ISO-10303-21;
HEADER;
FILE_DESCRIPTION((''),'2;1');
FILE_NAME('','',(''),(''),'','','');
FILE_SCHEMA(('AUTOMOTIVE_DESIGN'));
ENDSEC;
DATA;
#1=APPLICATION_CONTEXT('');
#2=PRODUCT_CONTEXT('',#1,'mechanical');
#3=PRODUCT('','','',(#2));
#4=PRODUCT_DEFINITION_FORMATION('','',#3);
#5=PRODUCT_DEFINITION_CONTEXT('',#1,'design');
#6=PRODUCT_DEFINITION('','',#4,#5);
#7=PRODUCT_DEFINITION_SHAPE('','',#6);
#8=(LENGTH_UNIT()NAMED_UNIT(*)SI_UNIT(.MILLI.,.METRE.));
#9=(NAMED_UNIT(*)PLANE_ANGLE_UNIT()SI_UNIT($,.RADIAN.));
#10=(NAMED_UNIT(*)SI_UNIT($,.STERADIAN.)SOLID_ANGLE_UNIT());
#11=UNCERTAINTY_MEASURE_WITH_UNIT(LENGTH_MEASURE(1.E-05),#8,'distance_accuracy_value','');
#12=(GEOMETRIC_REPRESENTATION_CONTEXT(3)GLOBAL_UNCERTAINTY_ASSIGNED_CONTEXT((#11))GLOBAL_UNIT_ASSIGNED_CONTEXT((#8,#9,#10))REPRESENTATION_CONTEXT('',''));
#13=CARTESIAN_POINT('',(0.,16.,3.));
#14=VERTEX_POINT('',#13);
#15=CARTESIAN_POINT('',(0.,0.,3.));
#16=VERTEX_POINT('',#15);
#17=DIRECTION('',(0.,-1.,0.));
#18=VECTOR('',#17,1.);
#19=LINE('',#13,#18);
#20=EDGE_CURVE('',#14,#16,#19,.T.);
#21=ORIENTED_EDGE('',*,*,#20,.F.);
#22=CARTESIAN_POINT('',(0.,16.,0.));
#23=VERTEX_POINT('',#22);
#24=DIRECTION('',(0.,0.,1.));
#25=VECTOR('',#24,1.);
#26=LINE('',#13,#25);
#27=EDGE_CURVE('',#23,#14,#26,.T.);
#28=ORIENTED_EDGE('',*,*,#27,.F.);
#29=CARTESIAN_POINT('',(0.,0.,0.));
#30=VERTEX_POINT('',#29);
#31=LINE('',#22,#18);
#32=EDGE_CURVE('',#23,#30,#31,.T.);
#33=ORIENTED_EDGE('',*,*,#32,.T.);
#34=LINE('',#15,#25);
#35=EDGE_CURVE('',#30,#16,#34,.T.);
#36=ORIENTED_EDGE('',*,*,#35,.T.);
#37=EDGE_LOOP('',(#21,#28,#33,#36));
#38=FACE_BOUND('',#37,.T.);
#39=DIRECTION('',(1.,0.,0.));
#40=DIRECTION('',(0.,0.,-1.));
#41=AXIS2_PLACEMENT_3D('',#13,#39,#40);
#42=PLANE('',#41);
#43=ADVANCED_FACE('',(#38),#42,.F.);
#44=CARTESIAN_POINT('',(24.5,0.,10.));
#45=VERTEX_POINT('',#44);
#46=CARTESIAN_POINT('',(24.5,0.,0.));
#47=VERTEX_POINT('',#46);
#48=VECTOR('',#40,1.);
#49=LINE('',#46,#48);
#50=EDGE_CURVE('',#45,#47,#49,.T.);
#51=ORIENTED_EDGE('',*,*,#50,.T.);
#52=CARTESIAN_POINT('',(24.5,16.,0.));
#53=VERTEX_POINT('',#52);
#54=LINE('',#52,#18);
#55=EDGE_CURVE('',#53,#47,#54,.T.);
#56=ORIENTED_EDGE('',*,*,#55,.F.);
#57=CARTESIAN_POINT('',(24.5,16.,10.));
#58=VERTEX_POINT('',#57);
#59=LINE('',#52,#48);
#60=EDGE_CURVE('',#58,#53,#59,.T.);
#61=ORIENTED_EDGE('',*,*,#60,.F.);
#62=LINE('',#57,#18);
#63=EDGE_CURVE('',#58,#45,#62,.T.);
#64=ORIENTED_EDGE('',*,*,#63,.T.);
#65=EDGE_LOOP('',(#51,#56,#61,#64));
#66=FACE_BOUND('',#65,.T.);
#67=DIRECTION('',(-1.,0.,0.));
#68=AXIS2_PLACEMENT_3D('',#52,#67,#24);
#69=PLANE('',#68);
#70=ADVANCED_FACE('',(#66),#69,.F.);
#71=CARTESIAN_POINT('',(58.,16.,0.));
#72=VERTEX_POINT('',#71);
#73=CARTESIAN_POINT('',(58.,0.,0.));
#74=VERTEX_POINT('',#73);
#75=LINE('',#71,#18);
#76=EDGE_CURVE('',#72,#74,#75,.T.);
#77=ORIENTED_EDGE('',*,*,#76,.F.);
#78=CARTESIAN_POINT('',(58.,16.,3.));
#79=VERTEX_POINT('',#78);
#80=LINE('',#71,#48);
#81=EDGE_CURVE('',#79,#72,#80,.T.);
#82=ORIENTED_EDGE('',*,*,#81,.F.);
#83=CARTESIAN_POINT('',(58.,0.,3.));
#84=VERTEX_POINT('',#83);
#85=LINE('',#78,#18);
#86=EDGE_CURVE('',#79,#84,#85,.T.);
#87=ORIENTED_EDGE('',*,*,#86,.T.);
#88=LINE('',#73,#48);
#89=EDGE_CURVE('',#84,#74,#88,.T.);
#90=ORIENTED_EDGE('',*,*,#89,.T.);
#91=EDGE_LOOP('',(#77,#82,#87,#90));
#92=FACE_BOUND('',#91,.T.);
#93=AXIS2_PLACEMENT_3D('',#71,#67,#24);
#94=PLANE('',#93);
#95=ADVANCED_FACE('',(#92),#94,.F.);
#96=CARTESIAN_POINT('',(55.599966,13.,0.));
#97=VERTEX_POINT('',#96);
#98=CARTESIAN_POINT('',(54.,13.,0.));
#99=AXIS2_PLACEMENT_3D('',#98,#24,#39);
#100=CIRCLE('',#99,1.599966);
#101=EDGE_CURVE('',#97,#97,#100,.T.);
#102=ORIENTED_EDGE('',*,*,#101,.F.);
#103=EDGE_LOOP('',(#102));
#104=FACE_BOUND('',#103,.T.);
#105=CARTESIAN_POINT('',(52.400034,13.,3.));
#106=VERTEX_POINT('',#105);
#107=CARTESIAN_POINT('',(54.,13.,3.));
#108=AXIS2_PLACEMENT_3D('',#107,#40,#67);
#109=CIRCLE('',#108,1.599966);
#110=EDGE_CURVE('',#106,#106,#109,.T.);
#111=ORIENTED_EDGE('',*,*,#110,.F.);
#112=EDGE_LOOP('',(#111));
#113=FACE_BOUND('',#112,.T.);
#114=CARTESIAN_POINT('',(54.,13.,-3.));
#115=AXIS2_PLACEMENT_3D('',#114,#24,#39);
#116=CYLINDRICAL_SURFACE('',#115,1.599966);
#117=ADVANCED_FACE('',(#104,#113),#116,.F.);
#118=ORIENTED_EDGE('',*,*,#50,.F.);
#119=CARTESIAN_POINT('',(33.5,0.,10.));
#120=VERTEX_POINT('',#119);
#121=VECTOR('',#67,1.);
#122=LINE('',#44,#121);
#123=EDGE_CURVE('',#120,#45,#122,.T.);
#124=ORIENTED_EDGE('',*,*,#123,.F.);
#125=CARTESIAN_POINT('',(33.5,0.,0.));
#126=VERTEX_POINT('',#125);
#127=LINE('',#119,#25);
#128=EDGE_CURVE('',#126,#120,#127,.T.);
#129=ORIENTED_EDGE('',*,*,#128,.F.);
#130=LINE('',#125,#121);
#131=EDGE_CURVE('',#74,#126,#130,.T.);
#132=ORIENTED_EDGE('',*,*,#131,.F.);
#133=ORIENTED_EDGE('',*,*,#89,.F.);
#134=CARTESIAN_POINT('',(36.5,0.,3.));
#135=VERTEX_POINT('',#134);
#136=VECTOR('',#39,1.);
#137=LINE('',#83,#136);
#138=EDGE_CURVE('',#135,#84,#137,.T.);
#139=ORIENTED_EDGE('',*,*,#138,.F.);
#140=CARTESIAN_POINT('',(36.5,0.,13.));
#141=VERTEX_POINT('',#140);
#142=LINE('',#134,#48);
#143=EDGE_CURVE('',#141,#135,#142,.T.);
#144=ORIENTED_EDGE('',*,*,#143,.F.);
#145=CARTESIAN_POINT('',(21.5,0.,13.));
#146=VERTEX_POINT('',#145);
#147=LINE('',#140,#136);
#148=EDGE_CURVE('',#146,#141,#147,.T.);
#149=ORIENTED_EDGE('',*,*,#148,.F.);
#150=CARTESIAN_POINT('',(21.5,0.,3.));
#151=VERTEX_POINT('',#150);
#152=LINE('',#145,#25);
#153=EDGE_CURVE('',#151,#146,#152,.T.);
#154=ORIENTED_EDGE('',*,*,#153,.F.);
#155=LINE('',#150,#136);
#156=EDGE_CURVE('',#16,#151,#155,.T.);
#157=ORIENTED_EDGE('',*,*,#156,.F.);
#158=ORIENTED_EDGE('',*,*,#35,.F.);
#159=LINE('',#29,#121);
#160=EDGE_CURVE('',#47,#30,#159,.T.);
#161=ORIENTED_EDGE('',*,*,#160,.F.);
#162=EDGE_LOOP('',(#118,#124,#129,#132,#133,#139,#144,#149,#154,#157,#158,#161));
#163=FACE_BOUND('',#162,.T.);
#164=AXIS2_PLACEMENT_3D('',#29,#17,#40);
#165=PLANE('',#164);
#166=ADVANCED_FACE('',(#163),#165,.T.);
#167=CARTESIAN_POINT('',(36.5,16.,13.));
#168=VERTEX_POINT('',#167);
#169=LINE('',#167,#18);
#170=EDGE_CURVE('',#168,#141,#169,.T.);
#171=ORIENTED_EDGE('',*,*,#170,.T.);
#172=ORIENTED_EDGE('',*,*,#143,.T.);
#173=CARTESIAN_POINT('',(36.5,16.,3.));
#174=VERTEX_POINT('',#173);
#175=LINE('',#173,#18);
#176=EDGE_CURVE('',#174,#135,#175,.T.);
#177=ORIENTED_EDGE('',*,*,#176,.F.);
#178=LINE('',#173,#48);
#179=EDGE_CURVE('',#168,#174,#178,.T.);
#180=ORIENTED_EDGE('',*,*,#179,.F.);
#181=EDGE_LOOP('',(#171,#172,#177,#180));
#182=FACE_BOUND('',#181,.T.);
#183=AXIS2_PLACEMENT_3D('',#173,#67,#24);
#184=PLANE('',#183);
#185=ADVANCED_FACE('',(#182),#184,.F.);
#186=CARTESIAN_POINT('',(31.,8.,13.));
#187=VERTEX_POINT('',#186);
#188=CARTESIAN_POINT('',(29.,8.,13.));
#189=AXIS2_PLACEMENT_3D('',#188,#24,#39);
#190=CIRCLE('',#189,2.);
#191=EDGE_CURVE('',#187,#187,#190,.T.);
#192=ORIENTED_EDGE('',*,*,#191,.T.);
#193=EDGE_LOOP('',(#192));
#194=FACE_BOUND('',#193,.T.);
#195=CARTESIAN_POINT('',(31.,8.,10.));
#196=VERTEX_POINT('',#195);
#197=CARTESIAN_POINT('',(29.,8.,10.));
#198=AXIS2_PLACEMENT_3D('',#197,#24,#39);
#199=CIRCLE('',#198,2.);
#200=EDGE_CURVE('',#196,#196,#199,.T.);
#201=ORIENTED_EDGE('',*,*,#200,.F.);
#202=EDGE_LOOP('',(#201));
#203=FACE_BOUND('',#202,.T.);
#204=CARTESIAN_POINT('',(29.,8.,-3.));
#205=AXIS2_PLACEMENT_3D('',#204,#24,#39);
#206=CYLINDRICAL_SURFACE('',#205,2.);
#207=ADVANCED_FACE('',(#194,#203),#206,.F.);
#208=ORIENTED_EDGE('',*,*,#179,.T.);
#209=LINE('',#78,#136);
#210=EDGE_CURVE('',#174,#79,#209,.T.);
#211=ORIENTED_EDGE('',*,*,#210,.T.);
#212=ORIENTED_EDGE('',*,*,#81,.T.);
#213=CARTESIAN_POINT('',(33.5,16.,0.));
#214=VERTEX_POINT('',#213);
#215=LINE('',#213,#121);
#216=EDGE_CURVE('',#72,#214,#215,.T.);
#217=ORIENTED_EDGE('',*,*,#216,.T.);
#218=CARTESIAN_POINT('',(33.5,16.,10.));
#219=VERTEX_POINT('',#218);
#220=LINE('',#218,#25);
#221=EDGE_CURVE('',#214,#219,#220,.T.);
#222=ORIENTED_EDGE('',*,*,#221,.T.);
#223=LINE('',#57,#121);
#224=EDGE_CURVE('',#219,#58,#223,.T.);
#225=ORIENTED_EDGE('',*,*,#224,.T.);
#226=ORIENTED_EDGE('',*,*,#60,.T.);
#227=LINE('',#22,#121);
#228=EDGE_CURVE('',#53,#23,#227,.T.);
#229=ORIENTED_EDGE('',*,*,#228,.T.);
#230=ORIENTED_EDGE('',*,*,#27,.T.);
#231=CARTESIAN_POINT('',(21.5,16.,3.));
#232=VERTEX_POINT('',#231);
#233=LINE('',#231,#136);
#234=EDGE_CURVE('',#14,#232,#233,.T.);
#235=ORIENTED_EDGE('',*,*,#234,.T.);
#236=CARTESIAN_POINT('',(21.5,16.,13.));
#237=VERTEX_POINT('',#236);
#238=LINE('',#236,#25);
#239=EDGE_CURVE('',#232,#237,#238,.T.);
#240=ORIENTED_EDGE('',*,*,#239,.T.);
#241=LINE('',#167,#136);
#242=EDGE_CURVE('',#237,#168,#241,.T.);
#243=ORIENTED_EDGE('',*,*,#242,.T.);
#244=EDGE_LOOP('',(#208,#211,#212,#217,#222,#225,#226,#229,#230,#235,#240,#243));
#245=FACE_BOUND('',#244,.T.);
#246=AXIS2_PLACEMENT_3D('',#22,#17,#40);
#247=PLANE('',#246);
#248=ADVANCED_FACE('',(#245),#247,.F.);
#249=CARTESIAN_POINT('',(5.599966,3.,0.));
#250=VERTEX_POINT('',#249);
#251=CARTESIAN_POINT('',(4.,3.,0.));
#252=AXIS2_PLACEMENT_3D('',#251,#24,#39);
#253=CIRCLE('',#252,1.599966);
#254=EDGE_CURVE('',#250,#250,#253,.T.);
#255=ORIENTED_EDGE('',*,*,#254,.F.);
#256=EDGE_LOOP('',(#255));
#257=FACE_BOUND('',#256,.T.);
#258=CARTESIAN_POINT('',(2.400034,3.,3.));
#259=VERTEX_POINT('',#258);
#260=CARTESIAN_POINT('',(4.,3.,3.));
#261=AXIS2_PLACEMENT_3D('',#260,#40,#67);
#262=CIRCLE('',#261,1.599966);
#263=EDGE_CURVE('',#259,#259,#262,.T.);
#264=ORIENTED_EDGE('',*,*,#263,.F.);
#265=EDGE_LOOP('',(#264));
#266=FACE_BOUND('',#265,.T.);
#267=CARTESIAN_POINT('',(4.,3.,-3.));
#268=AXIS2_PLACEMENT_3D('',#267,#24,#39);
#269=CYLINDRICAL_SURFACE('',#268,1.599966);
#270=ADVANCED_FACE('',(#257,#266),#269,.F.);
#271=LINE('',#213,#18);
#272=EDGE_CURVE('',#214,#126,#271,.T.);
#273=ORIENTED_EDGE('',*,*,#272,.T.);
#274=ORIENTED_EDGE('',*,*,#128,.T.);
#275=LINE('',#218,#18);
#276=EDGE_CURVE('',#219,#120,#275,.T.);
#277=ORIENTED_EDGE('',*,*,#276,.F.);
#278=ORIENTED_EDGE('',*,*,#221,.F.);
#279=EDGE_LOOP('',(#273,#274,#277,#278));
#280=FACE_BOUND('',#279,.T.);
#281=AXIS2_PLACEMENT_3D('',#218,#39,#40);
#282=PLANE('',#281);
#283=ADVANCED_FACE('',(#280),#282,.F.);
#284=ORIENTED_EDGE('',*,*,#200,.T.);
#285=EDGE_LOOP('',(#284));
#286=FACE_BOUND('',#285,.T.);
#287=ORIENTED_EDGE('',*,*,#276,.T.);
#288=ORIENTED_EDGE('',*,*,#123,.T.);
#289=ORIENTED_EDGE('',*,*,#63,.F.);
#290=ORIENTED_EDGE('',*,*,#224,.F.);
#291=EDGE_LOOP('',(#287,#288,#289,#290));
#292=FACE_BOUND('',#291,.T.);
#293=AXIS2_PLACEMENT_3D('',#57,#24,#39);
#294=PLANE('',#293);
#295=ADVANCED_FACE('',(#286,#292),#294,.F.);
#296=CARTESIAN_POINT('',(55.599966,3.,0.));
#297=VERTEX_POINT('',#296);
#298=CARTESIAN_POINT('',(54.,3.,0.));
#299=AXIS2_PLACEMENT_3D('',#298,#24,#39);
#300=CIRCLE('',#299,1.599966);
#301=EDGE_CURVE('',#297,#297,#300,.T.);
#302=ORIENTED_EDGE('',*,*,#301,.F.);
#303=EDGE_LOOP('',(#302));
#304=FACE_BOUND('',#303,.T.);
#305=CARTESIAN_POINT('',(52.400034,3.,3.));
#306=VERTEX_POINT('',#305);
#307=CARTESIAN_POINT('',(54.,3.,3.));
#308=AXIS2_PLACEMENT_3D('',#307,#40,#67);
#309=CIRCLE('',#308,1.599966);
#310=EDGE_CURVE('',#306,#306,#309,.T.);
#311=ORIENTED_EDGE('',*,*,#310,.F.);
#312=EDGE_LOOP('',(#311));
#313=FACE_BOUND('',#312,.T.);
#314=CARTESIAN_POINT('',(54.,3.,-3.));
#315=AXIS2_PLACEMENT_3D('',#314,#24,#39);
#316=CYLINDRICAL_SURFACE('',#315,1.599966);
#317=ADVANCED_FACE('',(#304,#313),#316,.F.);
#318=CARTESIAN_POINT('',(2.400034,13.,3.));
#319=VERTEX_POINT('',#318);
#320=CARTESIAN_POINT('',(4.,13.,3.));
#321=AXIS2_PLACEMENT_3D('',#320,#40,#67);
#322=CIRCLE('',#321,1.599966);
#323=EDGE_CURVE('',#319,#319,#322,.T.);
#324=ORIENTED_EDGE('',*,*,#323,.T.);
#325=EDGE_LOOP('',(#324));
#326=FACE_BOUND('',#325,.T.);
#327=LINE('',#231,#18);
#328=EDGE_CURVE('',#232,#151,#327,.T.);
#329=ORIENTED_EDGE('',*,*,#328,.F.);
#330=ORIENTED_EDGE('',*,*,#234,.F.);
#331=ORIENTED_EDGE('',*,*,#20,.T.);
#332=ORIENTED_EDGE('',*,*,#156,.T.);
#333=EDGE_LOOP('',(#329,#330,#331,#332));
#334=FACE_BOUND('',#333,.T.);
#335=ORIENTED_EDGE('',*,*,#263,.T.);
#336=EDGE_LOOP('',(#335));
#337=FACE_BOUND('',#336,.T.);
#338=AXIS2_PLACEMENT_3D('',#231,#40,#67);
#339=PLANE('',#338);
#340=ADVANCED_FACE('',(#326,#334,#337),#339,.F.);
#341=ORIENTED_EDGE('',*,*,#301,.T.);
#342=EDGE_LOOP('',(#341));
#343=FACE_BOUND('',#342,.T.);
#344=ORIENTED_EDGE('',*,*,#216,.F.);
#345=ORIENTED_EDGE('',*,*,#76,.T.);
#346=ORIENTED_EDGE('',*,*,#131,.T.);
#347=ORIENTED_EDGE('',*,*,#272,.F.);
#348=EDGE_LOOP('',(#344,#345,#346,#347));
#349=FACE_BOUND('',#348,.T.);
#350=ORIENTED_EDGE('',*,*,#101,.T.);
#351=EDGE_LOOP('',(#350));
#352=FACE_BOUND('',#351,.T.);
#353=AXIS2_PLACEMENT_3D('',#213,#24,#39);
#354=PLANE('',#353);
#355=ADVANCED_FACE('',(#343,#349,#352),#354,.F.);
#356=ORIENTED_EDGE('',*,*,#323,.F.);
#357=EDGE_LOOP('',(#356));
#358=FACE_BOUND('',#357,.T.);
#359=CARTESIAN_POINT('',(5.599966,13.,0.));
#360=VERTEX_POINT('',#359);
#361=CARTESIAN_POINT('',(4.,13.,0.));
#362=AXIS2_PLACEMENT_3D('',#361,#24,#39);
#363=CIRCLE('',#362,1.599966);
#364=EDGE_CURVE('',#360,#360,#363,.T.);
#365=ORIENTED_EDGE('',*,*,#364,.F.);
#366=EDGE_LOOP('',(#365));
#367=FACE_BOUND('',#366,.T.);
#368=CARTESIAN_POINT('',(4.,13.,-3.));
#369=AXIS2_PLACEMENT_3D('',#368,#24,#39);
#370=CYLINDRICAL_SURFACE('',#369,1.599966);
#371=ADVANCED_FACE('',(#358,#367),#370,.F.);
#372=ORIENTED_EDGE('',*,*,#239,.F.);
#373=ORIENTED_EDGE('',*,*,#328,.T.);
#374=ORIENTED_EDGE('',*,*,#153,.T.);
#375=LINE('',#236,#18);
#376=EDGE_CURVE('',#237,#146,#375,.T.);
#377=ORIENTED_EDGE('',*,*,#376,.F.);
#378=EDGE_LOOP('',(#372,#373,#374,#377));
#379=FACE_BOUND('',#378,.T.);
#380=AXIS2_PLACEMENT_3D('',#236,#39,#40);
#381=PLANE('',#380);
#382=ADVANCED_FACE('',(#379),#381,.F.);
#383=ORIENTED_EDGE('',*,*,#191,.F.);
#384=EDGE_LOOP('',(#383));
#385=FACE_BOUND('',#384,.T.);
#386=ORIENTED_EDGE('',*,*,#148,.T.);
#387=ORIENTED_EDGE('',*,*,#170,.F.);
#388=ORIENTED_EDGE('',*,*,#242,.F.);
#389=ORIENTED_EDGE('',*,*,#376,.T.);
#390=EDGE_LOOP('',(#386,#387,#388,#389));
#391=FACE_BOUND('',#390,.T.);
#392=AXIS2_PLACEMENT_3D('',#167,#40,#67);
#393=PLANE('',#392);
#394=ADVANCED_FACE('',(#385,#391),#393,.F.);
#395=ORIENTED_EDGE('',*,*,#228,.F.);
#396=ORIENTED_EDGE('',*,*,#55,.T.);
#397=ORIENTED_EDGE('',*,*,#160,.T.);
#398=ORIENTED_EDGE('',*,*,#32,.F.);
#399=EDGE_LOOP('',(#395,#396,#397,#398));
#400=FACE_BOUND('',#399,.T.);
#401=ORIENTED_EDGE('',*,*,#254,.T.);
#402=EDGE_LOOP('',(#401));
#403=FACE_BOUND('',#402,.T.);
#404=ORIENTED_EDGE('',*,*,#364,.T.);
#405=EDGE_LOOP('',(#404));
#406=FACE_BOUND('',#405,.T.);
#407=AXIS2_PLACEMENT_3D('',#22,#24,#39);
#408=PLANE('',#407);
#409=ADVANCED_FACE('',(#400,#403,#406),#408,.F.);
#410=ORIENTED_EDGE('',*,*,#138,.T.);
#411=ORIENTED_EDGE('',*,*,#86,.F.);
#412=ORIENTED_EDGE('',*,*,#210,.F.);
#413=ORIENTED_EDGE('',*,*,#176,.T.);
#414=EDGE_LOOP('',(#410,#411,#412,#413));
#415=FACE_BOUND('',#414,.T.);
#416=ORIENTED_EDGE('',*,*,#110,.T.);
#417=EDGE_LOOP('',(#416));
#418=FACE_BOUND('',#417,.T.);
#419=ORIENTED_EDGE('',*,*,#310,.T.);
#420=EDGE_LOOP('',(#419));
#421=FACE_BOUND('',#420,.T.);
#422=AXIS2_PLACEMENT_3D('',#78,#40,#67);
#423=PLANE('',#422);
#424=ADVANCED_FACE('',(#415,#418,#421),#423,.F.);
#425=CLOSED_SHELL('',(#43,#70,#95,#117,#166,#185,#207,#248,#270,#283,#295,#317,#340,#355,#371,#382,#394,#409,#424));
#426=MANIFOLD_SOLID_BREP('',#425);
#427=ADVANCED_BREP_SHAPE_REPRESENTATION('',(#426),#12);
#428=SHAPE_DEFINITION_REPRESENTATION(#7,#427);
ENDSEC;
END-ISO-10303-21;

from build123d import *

# Parameters (mm, degrees)
EXTRUDE_1_DEPTH     = 16
SKETCH_2_R          = 2
SKETCH_2_R_2        = 1.59996579
CUT_EXTRUDE_1_DEPTH = 16


with BuildPart() as part:
    # 草图1 → 凸台-拉伸1 (new body)
    with BuildSketch(Plane(origin=(0, 0, 0), x_dir=(1, 0, 0), z_dir=(0, 1, 0))):
        Polygon((0, 0), (24.5, 0), (24.5, -10), (33.5, -10), (33.5, 0), (58, 0), (58, -3), (36.5, -3), (36.5, -13), (21.5, -13), (21.5, -3), (0, -3), align=None)
    extrude(amount=EXTRUDE_1_DEPTH)

    # 草图2 → 切除-拉伸1 (cut)
    with BuildSketch(Plane.XY.offset(13)):
        with Locations((29, 8)):
            Circle(SKETCH_2_R)
        with Locations((4, 13)):
            Circle(SKETCH_2_R_2)
        with Locations((4, 3)):
            Circle(SKETCH_2_R_2)
        with Locations((54, 13)):
            Circle(SKETCH_2_R_2)
        with Locations((54, 3)):
            Circle(SKETCH_2_R_2)
    extrude(amount=-CUT_EXTRUDE_1_DEPTH, mode=Mode.SUBTRACT)


solid = part.part
